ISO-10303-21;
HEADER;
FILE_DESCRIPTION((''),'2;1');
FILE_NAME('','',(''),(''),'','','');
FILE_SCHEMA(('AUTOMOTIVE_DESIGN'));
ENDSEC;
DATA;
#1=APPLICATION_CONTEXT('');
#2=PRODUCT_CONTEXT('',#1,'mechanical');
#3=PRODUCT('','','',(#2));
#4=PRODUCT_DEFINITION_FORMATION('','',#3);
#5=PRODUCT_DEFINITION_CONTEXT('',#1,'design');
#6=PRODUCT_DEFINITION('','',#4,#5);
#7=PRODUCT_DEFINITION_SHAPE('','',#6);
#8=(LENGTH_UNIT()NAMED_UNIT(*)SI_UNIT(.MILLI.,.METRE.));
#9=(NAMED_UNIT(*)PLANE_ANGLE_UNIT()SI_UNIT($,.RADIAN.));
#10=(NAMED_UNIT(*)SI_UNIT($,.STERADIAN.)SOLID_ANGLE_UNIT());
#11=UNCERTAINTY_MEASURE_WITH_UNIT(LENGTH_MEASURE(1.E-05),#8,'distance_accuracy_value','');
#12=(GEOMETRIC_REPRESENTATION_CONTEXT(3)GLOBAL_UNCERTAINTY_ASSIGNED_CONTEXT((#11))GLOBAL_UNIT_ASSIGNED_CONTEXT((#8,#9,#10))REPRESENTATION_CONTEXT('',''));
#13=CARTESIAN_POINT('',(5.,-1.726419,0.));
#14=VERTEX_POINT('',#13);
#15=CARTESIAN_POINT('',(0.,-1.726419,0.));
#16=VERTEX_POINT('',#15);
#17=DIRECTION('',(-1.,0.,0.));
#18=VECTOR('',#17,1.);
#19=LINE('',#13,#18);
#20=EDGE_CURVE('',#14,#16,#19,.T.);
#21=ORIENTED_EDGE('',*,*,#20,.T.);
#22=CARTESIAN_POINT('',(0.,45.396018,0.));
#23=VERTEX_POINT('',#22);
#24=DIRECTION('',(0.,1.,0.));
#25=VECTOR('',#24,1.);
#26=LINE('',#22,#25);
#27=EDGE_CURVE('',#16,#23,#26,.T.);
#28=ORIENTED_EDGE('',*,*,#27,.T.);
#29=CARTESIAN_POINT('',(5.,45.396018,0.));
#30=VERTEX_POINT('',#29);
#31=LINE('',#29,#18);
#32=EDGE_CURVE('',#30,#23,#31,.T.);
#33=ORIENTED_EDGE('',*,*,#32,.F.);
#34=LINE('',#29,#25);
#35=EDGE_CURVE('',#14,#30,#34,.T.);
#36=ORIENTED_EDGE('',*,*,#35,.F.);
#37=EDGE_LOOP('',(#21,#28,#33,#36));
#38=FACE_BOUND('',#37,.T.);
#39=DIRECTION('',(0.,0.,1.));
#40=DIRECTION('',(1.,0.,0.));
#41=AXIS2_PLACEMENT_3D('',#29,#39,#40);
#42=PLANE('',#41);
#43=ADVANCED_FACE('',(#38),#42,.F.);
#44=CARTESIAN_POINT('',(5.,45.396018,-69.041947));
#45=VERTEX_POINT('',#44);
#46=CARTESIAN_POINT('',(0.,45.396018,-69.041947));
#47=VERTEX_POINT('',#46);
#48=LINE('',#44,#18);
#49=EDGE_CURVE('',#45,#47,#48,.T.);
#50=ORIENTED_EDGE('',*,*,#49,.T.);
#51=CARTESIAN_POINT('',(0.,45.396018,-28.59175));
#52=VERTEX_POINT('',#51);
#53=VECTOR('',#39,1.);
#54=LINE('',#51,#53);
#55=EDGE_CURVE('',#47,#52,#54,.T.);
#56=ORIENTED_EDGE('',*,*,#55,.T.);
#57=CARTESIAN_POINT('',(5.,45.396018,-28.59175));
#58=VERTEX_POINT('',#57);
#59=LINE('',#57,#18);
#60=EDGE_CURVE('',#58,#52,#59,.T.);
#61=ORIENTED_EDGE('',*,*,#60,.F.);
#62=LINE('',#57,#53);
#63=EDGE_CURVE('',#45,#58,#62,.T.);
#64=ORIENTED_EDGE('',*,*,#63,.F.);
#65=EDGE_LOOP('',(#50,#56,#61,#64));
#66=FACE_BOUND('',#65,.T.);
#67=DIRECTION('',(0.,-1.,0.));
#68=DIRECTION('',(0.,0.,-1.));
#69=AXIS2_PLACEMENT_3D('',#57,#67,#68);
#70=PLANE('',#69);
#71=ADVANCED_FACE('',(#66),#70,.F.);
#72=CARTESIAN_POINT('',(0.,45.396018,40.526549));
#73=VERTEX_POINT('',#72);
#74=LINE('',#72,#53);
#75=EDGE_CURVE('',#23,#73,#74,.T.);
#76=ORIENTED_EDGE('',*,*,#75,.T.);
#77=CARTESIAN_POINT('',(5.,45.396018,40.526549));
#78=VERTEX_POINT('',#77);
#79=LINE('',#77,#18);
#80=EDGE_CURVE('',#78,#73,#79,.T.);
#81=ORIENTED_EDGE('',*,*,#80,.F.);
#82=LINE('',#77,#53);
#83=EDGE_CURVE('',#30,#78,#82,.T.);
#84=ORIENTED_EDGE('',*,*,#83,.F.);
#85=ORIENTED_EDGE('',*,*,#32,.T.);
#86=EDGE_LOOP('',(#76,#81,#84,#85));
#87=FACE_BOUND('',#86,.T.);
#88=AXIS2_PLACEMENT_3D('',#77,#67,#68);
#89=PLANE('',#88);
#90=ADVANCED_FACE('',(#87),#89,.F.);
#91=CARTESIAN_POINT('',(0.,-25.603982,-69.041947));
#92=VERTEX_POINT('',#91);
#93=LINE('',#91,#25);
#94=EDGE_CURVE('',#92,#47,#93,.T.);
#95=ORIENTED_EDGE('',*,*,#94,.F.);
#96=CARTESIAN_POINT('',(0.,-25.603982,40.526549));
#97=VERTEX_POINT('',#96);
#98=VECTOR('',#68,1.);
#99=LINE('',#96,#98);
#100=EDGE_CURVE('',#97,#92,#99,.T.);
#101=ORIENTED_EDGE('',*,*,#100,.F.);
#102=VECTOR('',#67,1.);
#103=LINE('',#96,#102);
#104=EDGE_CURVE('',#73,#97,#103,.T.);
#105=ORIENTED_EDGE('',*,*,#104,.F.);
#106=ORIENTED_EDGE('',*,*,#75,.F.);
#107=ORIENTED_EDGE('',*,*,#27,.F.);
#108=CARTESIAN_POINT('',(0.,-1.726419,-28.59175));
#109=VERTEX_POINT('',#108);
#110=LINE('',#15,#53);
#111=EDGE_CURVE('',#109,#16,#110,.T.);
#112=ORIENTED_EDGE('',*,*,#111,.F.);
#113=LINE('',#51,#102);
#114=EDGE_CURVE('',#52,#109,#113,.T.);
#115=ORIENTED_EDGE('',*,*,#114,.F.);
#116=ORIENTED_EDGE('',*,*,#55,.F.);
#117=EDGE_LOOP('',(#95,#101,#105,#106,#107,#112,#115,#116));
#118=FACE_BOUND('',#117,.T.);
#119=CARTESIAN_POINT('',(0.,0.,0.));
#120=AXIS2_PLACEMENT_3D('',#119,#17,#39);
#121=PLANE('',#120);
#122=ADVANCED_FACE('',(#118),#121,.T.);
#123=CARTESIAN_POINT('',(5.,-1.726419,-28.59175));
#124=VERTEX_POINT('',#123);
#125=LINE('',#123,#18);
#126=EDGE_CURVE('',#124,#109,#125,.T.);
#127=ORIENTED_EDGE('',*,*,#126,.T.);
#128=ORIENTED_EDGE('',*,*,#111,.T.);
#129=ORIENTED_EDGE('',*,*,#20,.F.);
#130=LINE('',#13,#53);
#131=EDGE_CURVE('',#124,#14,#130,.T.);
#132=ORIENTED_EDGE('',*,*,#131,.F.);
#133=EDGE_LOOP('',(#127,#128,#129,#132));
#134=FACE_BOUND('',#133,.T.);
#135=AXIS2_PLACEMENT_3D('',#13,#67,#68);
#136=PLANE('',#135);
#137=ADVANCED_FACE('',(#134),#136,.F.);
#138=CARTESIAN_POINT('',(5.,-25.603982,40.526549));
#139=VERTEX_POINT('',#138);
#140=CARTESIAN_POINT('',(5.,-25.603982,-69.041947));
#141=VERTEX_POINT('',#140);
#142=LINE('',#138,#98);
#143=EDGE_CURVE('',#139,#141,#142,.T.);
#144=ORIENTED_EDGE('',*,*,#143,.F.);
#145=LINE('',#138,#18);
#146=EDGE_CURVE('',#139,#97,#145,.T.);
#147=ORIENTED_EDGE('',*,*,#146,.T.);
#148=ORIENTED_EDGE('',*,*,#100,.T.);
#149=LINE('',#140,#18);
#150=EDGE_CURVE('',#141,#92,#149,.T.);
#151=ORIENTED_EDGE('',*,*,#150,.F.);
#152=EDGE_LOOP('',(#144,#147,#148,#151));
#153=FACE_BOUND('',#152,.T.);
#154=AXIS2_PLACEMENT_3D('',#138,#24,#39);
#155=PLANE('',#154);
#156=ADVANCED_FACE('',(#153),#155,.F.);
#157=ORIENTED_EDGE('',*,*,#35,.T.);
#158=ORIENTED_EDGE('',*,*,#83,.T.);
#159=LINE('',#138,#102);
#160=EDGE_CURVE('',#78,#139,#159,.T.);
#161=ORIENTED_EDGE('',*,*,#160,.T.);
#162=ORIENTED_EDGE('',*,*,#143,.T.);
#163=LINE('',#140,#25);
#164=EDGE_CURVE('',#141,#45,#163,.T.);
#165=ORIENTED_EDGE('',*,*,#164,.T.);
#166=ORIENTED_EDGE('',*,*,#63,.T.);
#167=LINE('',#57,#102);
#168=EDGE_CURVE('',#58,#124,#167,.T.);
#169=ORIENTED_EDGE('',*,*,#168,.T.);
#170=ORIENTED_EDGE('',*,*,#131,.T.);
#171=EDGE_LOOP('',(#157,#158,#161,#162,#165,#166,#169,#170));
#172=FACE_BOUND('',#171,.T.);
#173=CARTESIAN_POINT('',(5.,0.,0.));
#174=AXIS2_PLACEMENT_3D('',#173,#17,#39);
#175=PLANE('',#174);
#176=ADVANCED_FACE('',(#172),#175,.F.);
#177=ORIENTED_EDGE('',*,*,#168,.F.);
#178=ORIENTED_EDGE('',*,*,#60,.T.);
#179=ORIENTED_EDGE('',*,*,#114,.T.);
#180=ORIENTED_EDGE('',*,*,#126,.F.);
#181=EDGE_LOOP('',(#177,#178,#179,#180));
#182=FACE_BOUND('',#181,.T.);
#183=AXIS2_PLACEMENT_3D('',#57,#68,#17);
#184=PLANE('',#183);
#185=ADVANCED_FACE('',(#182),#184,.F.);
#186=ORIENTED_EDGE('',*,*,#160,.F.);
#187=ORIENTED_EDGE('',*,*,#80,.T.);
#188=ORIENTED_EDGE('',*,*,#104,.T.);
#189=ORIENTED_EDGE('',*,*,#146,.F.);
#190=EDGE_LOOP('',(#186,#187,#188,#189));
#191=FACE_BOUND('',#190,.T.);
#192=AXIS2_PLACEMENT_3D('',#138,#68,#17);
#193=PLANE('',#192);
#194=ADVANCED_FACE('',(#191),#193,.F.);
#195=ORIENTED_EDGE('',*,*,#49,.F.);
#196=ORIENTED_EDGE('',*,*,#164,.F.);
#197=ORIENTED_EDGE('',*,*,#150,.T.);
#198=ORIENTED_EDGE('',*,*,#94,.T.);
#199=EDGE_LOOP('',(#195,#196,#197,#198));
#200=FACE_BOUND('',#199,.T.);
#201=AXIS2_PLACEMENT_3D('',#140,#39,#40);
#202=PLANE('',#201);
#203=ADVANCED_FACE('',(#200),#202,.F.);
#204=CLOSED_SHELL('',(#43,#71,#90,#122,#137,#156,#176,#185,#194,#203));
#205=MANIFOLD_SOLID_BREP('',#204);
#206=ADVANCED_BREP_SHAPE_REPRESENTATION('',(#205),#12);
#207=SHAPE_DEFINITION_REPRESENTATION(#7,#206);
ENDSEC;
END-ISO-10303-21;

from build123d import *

# Parameters (mm, degrees)
SALIENTE_EXTRUIR1_DEPTH = 5


with BuildPart() as part:
    # Croquis1 → Saliente-Extruir1 (new body)
    with BuildSketch(Plane(origin=(0, 0, 0), x_dir=(0, 0, -1), z_dir=(1, 0, 0))):
        Polygon((28.59175032, 45.396017699), (69.041946927, 45.396017699), (69.041946927, -25.603982301), (-40.526548673, -25.603982301), (-40.526548673, 45.396017699), (0, 45.396017699), (0, -1.726418895), (28.59175032, -1.726418895), align=None)
    extrude(amount=SALIENTE_EXTRUIR1_DEPTH)


solid = part.part
